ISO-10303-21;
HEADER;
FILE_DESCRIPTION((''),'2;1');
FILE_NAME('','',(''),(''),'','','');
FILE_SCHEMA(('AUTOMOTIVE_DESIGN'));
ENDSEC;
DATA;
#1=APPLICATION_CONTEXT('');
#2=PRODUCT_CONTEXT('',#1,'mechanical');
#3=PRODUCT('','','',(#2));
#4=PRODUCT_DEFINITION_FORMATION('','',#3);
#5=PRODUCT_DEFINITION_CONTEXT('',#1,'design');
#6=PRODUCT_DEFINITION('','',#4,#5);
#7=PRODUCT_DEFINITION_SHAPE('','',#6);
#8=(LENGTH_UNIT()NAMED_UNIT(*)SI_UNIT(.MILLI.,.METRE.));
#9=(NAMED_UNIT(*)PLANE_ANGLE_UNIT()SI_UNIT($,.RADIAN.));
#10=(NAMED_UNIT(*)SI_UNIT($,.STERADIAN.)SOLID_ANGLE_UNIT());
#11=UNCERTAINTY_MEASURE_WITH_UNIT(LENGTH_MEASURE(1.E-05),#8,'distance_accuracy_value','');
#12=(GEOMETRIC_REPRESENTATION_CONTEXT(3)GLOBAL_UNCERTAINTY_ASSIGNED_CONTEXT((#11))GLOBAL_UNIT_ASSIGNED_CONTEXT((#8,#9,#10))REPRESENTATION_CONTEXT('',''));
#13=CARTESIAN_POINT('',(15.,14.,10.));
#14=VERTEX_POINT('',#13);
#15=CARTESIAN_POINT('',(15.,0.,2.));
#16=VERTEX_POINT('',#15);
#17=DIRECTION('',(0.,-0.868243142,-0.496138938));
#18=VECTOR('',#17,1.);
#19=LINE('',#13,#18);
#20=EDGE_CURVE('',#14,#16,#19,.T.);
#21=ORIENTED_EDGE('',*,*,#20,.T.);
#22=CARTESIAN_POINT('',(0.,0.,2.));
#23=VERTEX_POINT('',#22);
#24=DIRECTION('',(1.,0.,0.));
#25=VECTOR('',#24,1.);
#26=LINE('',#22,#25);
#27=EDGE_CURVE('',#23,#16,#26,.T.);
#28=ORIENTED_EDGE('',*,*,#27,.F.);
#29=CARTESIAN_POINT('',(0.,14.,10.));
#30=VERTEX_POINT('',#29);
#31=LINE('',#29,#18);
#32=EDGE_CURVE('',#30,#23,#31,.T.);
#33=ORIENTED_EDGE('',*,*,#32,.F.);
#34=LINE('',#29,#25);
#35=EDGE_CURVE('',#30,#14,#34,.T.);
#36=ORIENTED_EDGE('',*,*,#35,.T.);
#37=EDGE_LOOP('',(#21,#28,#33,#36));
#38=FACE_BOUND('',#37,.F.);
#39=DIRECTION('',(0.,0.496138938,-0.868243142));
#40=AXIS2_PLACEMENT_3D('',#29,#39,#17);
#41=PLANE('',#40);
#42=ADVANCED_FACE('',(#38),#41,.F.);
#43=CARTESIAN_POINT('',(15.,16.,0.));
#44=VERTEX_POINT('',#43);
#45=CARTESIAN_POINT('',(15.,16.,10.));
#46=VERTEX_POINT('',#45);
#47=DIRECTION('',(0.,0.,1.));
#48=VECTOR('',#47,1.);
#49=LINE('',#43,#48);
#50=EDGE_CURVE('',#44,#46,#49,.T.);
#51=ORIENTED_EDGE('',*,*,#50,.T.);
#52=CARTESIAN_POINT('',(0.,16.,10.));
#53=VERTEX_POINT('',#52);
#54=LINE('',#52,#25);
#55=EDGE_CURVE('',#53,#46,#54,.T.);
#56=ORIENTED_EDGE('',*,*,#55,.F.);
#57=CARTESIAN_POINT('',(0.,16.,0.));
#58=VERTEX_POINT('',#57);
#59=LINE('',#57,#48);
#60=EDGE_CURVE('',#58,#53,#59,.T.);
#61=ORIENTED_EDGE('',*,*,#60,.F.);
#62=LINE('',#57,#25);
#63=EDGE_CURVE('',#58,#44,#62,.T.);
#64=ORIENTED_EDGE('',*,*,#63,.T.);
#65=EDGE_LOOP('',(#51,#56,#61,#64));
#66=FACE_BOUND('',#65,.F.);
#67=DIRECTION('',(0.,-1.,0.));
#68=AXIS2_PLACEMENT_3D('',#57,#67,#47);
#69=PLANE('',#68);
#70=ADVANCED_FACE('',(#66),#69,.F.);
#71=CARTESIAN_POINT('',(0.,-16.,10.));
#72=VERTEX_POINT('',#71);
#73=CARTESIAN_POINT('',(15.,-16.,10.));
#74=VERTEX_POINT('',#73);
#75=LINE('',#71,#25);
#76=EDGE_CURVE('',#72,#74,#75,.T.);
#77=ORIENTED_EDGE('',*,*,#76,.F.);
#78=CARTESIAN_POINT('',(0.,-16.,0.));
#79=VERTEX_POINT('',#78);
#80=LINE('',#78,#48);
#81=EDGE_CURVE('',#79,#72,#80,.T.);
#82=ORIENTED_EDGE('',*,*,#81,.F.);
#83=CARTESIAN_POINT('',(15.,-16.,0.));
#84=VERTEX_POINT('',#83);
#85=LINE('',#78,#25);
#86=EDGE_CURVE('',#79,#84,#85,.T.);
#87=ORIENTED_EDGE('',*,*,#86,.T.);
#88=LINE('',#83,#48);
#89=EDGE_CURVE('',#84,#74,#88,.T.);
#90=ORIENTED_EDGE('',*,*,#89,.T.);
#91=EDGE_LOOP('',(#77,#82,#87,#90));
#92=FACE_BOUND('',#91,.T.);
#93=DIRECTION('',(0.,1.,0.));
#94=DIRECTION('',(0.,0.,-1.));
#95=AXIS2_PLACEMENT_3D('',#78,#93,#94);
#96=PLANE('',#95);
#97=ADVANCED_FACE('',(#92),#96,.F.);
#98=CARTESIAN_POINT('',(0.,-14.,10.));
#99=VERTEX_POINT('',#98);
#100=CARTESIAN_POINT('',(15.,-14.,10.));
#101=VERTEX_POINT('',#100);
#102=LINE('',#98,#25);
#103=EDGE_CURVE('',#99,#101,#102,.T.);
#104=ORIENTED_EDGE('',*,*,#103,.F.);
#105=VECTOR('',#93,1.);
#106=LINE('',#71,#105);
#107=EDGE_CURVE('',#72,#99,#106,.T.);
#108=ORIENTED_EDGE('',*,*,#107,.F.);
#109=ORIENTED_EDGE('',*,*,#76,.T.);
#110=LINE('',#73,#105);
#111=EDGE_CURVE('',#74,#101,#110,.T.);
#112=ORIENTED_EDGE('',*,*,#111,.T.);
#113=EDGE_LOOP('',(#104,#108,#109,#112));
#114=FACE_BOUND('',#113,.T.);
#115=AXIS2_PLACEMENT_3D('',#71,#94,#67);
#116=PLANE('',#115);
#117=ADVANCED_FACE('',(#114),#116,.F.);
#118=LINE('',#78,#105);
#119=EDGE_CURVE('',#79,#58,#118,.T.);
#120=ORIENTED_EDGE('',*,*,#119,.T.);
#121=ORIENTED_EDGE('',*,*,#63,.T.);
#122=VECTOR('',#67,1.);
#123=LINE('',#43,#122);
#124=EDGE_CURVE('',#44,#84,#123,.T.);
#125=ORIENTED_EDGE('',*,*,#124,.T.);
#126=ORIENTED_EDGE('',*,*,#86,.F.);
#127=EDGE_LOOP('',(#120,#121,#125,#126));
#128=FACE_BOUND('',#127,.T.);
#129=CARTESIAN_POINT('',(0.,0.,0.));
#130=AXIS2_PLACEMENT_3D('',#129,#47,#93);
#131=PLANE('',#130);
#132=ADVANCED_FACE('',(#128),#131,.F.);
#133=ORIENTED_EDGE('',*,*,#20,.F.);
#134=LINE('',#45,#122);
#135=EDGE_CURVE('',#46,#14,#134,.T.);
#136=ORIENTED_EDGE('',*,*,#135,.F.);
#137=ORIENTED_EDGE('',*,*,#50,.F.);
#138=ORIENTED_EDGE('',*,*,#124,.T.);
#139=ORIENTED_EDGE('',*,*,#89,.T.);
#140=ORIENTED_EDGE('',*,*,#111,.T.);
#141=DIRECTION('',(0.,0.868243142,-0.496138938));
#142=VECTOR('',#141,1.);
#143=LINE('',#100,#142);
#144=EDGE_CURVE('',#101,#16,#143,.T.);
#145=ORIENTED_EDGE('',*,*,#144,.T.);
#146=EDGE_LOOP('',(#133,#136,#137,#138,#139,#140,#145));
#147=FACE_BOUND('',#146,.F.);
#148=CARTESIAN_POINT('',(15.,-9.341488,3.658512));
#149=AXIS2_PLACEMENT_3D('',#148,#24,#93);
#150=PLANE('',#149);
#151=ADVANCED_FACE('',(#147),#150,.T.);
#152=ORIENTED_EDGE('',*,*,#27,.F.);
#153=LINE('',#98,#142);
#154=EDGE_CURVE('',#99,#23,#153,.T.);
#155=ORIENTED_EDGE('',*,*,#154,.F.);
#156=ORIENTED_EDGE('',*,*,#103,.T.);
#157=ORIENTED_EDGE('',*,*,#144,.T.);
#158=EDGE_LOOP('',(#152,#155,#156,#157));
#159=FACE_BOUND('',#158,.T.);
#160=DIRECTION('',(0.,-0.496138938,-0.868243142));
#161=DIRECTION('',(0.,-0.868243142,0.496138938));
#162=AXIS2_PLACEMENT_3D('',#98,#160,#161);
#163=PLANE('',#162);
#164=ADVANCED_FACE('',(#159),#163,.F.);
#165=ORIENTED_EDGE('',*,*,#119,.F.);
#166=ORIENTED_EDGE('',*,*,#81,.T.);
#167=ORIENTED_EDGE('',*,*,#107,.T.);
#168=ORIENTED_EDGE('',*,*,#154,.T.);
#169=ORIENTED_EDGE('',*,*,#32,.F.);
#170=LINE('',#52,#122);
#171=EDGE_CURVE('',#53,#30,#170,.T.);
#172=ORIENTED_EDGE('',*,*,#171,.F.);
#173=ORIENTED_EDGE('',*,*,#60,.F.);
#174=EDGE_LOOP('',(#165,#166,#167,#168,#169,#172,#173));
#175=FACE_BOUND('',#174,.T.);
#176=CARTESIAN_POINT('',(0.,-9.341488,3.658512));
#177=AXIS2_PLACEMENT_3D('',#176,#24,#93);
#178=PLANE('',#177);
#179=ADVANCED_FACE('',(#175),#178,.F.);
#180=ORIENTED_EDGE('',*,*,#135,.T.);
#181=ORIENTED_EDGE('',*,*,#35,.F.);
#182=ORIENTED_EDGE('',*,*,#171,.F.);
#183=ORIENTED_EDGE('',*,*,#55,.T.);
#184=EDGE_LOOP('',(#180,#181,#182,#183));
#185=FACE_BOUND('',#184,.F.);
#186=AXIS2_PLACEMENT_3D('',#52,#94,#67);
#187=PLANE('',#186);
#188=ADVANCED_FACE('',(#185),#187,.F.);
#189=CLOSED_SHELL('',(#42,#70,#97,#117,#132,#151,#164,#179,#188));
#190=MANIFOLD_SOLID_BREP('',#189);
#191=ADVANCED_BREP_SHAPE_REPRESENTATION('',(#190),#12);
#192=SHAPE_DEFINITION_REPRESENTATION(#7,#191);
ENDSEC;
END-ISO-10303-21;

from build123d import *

# Parameters (mm, degrees)
F1_DEPTH = 15


with BuildPart() as f1:
    # F0 (on Right) → F1 (new body)
    with BuildSketch(Plane.YZ):
        Polygon((0, 2), (0, 0), (16, 0), (16, 10), (14, 10), align=None)
    extrude(amount=F1_DEPTH)

    # F2: F1 across face


with BuildPart() as f1_1:
    add(f1.part)
    add(f1.part.mirror(Plane(origin=(7.5, 0, 1), x_dir=(1, 0, 0), z_dir=(0, -1, 0))))


solid = f1_1.part
